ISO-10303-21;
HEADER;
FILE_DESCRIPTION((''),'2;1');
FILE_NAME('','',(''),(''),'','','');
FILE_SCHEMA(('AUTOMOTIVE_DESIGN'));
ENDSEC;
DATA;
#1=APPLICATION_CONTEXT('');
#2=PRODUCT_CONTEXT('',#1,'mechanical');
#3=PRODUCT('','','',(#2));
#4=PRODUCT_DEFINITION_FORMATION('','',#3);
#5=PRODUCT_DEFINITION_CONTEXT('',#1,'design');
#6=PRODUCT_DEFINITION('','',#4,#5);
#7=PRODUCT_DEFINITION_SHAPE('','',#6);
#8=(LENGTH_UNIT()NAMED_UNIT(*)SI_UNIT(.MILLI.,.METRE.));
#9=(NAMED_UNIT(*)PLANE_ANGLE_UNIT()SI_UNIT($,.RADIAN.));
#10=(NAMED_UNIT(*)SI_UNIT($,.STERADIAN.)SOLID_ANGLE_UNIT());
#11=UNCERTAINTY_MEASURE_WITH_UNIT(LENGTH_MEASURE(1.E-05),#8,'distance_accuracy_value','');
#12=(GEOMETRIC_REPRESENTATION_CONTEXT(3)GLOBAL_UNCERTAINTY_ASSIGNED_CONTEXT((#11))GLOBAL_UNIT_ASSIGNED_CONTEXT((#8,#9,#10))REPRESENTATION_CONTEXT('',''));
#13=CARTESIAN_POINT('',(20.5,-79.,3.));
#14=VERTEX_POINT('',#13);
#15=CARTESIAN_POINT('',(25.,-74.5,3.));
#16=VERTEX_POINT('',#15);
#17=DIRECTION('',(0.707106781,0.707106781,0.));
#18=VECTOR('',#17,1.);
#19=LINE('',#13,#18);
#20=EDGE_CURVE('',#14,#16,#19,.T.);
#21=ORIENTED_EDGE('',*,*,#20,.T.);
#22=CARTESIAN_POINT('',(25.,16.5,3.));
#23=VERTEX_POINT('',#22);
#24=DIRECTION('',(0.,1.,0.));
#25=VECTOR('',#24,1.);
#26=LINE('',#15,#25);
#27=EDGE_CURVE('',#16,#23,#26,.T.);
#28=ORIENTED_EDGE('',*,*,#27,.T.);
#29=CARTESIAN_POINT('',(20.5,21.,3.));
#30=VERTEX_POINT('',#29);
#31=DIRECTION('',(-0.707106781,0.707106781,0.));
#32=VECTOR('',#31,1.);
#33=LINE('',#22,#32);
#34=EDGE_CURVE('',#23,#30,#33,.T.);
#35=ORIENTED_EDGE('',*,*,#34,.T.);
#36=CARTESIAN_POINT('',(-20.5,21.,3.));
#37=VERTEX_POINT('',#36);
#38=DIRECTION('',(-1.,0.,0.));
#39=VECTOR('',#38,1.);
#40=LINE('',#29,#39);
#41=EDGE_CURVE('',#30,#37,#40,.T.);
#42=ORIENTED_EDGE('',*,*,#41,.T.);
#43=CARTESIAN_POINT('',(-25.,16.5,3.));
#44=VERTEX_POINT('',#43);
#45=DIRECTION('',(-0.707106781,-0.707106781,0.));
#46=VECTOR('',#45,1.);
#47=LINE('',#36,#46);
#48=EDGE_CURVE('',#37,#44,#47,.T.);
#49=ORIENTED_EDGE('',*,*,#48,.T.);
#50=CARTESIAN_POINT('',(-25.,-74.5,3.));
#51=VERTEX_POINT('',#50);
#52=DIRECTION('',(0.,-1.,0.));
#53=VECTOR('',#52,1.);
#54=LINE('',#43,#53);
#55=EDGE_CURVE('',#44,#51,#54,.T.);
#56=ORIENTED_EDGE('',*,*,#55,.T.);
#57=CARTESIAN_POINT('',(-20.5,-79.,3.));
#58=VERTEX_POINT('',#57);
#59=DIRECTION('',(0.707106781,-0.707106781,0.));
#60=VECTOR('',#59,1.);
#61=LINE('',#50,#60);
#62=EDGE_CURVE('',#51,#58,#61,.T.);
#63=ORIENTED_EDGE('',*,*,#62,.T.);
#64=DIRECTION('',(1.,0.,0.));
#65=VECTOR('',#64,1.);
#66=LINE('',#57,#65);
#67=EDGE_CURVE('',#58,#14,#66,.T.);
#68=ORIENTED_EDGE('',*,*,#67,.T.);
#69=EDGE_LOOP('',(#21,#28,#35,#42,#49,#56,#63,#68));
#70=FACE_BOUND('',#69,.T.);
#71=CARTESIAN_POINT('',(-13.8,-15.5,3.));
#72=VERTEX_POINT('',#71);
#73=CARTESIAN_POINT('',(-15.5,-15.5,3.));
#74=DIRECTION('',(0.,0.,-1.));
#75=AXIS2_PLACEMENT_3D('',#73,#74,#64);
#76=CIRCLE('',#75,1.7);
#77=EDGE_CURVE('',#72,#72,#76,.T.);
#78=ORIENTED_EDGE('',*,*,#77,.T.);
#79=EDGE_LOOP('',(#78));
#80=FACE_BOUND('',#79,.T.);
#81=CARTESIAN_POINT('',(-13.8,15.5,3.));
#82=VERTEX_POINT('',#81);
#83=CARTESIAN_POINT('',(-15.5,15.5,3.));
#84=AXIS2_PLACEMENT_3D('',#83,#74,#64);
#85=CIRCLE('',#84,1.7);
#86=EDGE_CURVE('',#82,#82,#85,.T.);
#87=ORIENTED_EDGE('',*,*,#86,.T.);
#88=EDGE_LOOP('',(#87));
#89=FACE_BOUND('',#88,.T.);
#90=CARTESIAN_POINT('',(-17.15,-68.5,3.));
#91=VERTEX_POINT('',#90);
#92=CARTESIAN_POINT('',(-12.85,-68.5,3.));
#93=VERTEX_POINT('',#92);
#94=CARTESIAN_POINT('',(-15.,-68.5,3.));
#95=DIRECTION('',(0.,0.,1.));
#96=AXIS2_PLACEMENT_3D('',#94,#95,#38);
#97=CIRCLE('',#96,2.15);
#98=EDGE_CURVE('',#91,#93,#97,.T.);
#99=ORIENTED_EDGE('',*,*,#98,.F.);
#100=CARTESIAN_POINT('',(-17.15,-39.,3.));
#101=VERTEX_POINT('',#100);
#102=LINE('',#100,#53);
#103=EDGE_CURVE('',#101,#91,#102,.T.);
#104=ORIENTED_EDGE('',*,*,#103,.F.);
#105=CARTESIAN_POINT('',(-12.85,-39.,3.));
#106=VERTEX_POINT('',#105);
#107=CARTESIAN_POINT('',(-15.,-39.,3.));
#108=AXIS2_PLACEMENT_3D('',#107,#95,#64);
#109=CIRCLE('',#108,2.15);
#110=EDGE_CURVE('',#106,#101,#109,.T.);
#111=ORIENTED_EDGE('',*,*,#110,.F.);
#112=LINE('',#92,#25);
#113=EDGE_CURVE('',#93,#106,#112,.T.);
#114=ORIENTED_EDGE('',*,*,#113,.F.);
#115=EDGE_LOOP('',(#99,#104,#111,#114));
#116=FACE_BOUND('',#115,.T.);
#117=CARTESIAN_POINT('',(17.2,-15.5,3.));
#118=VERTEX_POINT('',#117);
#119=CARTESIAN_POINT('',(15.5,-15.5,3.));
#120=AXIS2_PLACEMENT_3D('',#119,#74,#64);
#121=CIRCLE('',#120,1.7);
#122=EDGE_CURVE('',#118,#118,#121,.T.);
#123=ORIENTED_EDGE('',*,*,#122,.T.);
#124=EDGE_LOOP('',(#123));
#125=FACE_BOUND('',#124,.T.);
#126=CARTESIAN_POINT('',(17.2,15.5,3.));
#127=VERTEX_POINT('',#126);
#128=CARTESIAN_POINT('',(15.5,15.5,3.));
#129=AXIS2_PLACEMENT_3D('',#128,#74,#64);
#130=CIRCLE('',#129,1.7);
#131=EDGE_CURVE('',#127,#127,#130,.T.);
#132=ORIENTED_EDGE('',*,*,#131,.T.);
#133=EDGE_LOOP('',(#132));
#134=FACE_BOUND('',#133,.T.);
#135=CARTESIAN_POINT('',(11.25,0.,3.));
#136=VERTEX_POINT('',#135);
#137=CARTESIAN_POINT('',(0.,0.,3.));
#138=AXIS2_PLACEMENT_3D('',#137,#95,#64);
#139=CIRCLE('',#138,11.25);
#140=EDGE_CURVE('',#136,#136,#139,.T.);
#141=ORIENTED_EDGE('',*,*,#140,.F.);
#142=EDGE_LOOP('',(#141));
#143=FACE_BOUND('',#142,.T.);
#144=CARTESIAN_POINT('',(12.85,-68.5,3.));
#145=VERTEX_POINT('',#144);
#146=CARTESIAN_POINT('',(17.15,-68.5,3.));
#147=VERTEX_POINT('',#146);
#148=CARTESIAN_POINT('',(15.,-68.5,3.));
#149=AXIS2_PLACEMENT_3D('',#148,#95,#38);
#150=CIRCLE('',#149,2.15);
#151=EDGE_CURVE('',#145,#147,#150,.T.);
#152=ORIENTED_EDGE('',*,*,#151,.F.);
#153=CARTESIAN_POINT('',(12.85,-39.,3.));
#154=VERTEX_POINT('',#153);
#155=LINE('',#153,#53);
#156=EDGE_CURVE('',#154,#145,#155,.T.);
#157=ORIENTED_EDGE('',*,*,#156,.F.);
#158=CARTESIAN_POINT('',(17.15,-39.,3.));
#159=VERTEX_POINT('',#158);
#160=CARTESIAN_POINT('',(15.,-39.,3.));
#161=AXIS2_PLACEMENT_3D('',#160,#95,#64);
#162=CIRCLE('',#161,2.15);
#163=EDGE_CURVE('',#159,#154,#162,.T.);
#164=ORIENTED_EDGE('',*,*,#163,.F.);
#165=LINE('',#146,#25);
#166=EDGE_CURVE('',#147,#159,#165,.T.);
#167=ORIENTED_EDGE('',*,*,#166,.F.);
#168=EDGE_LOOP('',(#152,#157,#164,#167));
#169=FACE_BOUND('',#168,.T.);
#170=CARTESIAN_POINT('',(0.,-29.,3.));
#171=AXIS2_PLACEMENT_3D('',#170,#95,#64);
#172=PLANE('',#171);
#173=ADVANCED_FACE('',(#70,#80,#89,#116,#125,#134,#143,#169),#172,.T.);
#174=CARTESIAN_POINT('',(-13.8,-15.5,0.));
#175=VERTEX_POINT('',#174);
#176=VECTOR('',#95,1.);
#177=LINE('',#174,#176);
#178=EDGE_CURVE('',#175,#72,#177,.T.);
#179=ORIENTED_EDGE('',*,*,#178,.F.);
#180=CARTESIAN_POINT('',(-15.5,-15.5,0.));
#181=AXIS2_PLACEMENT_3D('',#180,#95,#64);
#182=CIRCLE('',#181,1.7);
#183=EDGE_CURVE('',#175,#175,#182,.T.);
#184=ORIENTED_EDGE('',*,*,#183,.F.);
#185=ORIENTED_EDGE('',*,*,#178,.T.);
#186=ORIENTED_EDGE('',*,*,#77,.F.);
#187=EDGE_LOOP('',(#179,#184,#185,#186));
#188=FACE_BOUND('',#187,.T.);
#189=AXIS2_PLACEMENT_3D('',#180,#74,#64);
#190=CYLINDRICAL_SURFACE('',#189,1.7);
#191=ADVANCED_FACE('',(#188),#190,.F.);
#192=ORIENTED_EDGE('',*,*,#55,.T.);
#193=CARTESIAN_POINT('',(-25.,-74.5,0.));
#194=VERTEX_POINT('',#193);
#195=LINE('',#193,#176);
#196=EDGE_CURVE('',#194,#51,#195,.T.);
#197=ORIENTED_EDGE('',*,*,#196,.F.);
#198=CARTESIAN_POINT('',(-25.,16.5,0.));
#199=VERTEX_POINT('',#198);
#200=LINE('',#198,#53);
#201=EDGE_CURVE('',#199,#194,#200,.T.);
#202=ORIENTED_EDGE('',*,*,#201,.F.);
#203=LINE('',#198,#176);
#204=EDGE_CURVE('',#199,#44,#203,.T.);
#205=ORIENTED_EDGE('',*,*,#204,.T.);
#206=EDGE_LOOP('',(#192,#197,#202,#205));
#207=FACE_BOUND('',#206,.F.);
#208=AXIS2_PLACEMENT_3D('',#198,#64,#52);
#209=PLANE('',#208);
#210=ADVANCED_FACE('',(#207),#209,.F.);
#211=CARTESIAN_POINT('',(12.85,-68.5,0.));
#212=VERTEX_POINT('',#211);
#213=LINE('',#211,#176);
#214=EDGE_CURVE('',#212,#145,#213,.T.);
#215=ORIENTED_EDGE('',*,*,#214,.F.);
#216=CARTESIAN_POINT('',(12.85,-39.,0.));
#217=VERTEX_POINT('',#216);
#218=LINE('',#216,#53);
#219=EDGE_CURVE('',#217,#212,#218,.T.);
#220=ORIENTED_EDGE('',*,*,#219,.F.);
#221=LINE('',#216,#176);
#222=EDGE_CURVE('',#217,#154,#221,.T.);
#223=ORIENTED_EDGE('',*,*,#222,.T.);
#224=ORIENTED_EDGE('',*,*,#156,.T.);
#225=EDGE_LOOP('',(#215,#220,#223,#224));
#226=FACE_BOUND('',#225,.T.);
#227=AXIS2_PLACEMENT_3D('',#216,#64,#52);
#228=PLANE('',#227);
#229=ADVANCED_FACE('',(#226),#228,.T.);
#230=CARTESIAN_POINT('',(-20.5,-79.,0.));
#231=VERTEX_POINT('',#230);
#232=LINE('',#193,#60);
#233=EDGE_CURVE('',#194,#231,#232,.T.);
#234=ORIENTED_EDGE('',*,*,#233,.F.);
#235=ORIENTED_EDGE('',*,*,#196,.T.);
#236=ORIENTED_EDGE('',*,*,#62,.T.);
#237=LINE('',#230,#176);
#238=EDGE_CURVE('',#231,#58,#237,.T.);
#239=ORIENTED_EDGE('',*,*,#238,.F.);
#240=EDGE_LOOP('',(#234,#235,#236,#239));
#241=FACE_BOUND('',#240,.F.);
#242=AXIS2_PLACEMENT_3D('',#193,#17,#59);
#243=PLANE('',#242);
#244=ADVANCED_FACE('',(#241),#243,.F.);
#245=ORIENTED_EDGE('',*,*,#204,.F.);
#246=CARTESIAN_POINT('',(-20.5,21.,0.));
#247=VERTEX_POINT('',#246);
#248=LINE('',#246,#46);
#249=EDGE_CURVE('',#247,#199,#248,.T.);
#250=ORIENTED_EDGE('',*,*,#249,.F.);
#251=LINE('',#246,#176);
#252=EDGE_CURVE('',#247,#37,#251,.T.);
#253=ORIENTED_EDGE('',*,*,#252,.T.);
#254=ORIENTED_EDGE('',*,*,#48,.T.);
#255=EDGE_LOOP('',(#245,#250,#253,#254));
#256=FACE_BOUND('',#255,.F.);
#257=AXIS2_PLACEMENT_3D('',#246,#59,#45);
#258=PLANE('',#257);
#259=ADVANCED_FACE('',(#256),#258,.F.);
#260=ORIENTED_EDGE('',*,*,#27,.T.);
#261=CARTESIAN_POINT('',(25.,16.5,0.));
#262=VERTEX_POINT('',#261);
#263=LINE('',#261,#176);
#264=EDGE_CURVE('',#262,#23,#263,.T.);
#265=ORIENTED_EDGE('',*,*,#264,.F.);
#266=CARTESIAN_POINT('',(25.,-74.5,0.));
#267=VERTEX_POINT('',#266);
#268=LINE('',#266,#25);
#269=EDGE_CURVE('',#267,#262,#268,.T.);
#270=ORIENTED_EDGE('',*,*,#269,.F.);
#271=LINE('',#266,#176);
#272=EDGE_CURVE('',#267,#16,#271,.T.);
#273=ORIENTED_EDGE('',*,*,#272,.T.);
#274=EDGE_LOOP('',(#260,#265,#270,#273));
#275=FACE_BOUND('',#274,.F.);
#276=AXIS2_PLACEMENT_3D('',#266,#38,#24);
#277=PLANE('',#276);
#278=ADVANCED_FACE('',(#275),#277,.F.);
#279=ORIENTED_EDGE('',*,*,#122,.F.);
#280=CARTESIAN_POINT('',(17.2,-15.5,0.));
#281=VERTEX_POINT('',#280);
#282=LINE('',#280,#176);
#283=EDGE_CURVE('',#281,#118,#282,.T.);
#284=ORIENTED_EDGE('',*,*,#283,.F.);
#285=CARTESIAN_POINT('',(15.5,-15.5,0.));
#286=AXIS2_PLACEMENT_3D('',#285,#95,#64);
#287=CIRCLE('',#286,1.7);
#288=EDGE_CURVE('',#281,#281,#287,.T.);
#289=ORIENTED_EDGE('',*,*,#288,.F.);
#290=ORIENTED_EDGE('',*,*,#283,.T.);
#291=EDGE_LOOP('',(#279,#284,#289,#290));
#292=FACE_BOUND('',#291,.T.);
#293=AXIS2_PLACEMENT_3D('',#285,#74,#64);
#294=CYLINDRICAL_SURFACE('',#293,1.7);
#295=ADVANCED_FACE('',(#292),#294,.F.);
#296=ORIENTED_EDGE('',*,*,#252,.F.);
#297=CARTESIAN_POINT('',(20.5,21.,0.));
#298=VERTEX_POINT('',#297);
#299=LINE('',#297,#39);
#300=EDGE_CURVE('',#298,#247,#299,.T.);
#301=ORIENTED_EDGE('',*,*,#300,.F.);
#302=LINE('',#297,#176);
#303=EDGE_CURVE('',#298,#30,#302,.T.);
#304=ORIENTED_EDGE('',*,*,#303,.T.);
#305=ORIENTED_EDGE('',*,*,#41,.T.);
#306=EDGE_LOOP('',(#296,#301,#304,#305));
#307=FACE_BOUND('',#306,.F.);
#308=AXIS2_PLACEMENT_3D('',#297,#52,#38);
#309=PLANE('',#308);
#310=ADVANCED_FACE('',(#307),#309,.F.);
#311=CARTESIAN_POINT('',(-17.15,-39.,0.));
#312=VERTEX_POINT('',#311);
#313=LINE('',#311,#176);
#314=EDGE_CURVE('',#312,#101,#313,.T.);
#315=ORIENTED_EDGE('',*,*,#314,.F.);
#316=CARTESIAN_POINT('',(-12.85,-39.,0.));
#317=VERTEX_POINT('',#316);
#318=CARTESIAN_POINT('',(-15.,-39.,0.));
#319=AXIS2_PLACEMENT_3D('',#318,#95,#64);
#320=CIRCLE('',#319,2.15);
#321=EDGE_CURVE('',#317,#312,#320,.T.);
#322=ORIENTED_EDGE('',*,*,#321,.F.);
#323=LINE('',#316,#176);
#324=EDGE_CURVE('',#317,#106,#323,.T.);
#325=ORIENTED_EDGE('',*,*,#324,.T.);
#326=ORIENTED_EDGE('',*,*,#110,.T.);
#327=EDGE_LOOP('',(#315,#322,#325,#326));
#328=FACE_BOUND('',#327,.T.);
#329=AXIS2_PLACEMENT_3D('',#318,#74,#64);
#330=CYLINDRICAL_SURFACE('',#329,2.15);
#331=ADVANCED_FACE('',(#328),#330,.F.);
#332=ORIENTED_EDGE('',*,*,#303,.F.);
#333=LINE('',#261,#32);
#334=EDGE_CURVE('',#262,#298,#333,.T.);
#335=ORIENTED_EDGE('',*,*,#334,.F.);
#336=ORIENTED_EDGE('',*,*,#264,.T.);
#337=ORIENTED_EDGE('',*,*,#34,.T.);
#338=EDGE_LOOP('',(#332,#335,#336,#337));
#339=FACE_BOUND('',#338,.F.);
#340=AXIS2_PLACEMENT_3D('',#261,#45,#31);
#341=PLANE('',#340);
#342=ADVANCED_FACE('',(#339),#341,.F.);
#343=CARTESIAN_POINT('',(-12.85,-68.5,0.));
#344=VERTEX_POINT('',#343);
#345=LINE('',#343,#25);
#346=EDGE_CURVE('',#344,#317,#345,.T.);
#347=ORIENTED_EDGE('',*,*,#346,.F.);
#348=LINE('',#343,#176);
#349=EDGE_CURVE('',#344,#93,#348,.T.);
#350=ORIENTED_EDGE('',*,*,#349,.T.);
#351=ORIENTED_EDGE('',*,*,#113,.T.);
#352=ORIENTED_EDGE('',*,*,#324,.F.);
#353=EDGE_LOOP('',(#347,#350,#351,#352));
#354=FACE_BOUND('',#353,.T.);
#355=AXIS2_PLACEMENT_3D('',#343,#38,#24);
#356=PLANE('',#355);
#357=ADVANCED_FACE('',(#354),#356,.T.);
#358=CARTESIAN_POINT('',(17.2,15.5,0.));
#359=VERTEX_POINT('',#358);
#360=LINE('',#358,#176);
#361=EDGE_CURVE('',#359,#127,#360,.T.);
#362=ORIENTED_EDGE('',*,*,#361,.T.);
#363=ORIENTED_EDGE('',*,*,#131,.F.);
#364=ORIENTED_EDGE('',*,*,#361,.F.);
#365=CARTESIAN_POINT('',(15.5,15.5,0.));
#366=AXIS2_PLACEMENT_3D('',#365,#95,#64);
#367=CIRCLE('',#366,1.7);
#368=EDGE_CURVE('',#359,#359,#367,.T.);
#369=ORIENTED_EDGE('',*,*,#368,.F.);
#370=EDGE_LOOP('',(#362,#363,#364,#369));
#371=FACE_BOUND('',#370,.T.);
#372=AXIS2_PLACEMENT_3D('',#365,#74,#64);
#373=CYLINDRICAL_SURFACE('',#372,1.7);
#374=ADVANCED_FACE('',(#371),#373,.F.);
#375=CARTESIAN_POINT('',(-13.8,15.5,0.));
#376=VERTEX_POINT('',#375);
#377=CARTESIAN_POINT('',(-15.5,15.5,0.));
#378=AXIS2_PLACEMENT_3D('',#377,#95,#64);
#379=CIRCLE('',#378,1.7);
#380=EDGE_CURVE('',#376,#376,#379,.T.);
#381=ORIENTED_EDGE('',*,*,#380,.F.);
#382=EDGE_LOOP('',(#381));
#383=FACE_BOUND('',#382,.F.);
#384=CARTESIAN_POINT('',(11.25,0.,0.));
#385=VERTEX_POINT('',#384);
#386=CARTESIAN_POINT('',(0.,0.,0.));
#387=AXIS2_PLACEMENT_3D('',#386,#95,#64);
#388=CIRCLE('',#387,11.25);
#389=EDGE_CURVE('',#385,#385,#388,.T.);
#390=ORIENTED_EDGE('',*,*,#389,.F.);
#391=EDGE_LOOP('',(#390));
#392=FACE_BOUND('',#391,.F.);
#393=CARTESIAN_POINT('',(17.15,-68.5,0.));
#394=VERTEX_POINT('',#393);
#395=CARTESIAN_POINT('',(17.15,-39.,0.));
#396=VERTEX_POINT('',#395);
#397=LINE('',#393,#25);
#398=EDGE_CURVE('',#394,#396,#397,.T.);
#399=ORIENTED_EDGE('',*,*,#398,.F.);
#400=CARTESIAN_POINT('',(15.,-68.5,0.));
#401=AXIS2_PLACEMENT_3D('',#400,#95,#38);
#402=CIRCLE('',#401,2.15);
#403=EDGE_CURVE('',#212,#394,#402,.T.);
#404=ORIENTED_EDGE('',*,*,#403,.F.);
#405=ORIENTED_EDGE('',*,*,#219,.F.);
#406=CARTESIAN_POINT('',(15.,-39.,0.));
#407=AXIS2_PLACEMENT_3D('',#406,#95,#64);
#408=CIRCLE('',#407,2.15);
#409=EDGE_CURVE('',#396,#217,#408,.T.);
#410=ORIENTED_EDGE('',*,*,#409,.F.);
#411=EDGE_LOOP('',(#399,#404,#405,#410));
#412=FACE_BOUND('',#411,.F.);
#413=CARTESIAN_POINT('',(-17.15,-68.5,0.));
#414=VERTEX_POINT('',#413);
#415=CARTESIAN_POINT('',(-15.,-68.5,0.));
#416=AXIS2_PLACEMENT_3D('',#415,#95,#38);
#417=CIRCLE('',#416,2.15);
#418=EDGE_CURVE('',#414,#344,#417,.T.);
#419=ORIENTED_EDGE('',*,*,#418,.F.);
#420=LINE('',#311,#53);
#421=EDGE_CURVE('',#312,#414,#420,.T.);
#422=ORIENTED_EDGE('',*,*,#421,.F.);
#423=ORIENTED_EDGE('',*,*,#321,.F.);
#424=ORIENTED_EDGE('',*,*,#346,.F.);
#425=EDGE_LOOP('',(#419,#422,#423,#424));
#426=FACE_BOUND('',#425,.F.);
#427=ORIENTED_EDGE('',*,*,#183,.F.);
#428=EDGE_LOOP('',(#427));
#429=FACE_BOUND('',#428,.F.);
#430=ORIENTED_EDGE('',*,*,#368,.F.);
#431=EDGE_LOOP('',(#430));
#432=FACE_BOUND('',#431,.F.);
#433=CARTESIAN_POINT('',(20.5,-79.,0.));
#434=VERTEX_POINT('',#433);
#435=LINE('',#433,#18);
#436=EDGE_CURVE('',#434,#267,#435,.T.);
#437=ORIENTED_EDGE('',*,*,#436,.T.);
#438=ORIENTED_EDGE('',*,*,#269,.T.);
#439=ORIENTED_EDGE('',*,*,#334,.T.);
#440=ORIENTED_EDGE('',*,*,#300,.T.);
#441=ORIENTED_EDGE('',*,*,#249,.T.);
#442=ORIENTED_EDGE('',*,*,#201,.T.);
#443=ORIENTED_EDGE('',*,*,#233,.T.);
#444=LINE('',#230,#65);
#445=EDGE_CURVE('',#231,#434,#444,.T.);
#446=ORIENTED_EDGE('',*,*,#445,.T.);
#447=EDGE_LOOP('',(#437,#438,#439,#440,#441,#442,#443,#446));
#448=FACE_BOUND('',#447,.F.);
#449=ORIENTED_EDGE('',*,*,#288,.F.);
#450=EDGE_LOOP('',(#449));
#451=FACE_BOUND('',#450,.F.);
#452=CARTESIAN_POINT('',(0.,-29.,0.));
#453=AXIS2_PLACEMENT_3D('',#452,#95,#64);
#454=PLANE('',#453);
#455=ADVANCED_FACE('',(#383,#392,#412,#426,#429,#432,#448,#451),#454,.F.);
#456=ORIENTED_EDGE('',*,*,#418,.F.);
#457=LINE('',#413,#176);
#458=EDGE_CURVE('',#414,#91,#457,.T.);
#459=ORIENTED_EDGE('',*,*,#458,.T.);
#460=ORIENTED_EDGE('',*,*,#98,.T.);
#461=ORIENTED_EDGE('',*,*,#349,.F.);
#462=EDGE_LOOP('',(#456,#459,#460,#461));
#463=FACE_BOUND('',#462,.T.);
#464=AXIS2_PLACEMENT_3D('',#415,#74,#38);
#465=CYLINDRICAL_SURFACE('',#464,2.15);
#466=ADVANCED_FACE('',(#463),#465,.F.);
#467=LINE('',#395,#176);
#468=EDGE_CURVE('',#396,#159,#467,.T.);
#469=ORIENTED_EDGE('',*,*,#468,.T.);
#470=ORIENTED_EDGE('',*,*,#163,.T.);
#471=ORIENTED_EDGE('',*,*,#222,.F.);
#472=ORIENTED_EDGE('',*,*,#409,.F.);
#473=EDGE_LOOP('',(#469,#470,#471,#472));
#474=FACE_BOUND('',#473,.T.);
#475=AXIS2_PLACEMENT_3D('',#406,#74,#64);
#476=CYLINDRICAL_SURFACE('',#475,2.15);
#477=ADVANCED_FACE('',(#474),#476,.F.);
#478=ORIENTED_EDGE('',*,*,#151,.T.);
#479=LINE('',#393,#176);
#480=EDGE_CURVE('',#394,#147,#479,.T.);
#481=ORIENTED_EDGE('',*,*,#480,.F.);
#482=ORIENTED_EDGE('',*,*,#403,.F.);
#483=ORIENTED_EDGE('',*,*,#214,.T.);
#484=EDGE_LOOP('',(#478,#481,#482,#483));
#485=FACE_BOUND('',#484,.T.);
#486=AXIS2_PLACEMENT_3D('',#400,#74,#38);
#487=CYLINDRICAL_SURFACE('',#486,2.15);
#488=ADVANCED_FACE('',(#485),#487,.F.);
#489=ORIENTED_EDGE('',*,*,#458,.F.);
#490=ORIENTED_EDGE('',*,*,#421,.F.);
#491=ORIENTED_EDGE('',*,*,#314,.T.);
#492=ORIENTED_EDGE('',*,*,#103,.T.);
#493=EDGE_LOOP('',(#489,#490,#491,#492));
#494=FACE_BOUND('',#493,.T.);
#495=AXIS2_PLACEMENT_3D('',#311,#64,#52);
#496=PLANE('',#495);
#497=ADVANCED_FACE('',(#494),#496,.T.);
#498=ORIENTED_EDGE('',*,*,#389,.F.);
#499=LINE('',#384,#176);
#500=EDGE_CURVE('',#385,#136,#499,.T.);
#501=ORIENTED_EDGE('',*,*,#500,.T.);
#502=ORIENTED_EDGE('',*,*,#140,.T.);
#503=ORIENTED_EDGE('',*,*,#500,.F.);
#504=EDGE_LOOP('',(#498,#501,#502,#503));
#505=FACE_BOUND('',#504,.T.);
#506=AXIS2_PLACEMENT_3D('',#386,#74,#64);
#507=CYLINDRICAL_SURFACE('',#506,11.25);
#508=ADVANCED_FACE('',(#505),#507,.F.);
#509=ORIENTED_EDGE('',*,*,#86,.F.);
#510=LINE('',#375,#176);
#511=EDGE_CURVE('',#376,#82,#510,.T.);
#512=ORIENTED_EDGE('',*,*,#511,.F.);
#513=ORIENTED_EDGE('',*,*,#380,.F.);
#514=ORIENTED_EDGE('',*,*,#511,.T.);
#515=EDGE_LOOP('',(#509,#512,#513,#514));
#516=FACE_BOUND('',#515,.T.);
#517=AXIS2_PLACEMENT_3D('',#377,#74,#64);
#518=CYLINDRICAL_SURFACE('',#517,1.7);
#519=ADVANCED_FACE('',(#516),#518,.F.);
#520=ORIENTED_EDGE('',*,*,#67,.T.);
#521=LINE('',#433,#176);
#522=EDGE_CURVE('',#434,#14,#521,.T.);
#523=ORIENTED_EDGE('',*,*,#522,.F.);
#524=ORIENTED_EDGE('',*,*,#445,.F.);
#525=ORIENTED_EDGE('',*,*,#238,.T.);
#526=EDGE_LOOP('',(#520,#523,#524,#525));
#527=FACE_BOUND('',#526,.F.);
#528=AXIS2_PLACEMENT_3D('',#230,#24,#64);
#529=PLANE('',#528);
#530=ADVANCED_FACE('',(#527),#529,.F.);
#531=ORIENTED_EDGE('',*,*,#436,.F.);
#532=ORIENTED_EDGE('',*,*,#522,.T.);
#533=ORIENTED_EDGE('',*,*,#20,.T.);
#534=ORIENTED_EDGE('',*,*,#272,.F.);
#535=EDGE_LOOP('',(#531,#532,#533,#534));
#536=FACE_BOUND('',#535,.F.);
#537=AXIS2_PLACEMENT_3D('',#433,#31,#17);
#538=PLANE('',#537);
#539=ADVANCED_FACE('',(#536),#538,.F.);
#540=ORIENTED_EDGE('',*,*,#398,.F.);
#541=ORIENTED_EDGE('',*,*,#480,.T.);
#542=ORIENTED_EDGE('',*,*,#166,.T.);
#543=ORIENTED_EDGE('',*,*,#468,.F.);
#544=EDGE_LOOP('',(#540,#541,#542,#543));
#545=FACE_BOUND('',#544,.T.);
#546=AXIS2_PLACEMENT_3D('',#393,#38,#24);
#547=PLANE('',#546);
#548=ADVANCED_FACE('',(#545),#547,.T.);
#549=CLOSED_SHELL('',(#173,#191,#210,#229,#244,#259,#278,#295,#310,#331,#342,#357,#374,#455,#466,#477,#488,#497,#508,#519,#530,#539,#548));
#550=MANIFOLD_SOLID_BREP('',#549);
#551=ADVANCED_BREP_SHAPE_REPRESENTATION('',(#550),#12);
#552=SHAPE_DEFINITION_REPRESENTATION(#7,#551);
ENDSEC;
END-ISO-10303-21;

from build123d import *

# Parameters (mm, degrees)
SKETCH_R    = 11.25
PAD_DEPTH   = 3
SKETCH001_R = 1.7
HOLE_DEPTH  = 25


with BuildPart() as part:
    # Sketch → Pad (new body)
    with BuildSketch(Plane.XY):
        Polygon((20.5, 21), (-20.5, 21), (-25, 16.5), (-25, -74.5), (-20.5, -79), (20.5, -79), (25, -74.5), (25, 16.5), align=None)
        Circle(SKETCH_R, mode=Mode.SUBTRACT)
        with BuildLine():
            ThreePointArc((-12.85, -39), (-15, -36.85), (-17.15, -39))
            Line((-17.15, -39), (-17.15, -68.5))
            ThreePointArc((-17.15, -68.5), (-15, -70.65), (-12.85, -68.5))
            Line((-12.85, -68.5), (-12.85, -39))
        make_face(mode=Mode.SUBTRACT)
        with BuildLine():
            ThreePointArc((17.15, -39), (15, -36.85), (12.85, -39))
            Line((12.85, -39), (12.85, -68.5))
            ThreePointArc((12.85, -68.5), (15, -70.65), (17.15, -68.5))
            Line((17.15, -68.5), (17.15, -39))
        make_face(mode=Mode.SUBTRACT)
    extrude(amount=PAD_DEPTH)

    # Sketch001 → Hole (cut)
    with BuildSketch(Plane.XY):
        with Locations((-15.5, 15.5)):
            Circle(SKETCH001_R)
        with Locations((15.5, 15.5)):
            Circle(SKETCH001_R)
        with Locations((15.5, -15.5)):
            Circle(SKETCH001_R)
        with Locations((-15.5, -15.5)):
            Circle(SKETCH001_R)
    extrude(amount=HOLE_DEPTH, mode=Mode.SUBTRACT)


solid = part.part
